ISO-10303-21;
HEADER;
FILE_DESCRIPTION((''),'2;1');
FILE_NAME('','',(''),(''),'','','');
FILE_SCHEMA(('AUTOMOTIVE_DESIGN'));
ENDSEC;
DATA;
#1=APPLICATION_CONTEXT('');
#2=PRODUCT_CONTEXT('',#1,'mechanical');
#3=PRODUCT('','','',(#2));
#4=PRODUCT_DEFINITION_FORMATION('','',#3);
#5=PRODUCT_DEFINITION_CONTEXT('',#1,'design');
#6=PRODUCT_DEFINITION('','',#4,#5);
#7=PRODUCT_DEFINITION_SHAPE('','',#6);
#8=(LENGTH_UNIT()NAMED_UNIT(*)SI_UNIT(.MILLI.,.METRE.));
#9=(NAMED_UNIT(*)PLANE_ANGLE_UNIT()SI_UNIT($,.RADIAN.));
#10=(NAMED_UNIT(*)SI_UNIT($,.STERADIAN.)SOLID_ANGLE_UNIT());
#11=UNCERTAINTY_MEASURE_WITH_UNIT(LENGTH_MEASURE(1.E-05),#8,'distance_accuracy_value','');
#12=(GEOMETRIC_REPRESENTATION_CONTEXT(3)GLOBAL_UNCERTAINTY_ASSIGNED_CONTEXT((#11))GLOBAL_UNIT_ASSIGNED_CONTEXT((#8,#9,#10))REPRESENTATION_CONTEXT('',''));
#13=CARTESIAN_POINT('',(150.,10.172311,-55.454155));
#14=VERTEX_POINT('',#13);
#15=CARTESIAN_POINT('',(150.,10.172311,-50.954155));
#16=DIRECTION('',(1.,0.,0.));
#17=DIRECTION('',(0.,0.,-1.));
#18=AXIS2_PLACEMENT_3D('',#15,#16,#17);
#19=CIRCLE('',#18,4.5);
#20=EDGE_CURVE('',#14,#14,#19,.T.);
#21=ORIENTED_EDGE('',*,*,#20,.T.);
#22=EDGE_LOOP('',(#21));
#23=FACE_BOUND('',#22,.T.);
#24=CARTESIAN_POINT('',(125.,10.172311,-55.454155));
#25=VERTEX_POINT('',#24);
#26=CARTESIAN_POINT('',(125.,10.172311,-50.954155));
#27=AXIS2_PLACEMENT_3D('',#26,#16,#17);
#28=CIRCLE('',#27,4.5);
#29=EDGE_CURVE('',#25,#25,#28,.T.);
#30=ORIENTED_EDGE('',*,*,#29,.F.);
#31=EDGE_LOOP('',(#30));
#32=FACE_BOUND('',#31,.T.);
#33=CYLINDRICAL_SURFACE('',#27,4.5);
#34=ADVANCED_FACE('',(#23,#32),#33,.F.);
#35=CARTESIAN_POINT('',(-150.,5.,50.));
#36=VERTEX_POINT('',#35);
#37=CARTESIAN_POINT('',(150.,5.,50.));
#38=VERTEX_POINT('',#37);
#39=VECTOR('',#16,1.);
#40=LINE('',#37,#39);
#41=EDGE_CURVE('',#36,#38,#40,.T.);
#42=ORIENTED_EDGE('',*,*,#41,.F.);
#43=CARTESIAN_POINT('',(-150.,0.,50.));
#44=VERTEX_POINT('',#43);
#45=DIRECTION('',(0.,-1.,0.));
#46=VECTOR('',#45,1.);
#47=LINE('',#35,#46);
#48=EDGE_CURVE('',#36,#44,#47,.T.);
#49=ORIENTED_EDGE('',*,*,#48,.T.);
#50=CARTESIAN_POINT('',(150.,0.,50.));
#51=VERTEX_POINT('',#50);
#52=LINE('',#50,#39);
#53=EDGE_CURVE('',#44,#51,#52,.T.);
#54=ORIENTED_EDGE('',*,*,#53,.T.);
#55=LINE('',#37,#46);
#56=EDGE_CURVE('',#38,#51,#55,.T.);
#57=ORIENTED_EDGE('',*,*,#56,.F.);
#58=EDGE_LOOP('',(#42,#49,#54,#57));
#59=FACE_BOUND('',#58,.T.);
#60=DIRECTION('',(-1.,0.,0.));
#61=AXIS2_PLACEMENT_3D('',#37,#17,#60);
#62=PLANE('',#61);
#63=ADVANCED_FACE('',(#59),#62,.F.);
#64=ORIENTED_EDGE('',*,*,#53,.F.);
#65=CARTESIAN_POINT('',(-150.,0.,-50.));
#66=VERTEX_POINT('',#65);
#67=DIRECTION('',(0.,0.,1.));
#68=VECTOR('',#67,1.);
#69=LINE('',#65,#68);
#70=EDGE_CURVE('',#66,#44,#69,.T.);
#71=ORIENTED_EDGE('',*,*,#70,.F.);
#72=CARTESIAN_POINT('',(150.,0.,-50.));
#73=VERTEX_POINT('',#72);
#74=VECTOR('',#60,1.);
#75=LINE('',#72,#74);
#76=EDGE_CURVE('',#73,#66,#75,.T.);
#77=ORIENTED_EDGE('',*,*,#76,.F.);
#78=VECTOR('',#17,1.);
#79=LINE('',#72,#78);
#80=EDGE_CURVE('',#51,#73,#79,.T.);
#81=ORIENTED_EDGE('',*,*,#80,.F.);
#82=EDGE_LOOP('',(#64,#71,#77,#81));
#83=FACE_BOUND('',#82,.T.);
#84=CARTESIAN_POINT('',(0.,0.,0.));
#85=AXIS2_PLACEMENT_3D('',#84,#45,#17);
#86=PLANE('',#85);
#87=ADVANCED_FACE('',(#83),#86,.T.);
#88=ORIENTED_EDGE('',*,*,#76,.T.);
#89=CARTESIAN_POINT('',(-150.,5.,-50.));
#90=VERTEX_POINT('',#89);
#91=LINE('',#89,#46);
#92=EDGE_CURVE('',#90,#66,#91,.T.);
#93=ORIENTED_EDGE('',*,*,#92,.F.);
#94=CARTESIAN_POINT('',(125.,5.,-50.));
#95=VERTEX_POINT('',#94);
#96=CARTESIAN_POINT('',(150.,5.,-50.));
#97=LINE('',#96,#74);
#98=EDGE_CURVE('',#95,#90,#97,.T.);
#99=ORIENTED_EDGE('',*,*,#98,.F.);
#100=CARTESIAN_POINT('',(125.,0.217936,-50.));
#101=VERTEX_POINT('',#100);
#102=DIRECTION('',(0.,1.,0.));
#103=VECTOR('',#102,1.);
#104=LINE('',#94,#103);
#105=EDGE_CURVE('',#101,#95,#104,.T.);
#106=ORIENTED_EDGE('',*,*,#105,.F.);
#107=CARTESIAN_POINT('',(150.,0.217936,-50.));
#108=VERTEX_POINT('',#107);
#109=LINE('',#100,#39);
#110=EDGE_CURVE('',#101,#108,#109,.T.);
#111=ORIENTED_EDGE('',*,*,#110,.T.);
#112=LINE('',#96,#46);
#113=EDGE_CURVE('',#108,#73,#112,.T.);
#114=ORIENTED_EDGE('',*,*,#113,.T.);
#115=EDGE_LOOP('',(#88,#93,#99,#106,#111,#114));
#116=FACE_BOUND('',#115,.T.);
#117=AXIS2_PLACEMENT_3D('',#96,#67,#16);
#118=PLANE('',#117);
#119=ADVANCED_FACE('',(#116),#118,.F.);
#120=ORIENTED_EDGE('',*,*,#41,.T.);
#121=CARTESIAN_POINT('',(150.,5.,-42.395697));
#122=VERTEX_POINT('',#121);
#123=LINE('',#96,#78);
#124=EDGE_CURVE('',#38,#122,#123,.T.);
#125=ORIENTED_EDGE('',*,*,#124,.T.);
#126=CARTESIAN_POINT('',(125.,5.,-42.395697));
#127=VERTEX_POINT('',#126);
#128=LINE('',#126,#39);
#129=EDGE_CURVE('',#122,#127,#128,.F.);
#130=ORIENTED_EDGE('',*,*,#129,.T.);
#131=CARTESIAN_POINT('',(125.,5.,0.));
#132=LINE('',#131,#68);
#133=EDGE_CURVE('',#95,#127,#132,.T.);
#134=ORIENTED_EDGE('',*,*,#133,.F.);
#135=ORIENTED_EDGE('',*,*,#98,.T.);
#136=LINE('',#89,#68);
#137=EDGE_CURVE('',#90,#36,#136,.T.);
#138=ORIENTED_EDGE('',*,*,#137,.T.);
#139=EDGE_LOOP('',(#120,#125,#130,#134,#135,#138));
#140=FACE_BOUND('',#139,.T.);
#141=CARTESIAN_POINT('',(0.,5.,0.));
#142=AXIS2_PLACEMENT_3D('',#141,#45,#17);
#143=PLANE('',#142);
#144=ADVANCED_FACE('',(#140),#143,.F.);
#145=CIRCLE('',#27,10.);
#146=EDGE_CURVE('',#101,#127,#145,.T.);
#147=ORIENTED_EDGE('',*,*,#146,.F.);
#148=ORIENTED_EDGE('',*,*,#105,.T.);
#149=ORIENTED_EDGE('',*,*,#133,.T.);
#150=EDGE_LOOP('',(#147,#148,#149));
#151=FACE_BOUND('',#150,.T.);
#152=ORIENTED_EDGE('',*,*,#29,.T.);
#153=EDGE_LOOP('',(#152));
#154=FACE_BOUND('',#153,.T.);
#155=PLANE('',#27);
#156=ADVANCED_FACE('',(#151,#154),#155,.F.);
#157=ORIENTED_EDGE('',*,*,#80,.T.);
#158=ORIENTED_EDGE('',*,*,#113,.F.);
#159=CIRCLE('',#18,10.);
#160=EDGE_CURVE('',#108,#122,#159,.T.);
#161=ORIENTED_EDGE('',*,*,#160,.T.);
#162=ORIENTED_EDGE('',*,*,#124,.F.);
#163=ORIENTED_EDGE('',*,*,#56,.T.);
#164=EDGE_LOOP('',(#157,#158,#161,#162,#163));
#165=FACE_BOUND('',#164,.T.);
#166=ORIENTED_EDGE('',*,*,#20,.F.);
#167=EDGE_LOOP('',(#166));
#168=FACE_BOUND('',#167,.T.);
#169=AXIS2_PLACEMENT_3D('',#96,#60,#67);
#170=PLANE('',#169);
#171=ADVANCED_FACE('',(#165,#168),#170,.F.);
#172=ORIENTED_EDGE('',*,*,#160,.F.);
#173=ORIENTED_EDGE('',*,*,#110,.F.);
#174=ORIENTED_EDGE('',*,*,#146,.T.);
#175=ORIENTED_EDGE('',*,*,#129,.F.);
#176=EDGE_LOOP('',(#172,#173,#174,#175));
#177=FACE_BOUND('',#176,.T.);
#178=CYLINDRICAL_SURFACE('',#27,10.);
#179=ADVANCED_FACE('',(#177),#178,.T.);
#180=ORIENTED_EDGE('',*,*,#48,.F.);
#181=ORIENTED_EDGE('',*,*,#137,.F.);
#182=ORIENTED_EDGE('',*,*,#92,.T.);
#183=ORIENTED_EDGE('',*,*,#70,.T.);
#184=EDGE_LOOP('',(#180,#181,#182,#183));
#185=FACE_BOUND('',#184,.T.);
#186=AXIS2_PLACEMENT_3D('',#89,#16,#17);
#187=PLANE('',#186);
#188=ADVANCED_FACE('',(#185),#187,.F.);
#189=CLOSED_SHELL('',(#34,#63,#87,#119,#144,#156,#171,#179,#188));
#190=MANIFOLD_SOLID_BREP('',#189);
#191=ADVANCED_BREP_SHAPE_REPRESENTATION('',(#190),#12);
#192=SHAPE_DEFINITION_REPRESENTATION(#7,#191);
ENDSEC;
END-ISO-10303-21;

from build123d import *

# Parameters (mm, degrees)
SKETCH1_W           = 300
SKETCH1_H           = 100
BOSS_EXTRUDE1_DEPTH = 5
SKETCH7_R           = 10
BOSS_EXTRUDE5_DEPTH = 25
SKETCH10_R          = 4.5
CUT_EXTRUDE1_DEPTH  = 25


with BuildPart() as part:
    # Sketch1 → Boss-Extrude1 (new body)
    with BuildSketch(Plane(origin=(0, 0, 0), x_dir=(1, 0, 0), z_dir=(0, 1, 0))):
        Rectangle(SKETCH1_W, SKETCH1_H)
    extrude(amount=BOSS_EXTRUDE1_DEPTH)

    # Sketch7 → Boss-Extrude5 (add)
    with BuildSketch(Plane(origin=(150, 0, 0), x_dir=(0, 0, -1), z_dir=(1, 0, 0))):
        with Locations((50.954154719, 10.172311349)):
            Circle(SKETCH7_R)
    extrude(amount=-BOSS_EXTRUDE5_DEPTH)

    # Sketch10 → Cut-Extrude1 (cut)
    with BuildSketch(Plane(origin=(150, 0, 0), x_dir=(0, 0, -1), z_dir=(1, 0, 0))):
        with Locations((50.954154719, 10.172311349)):
            Circle(SKETCH10_R)
    extrude(amount=-CUT_EXTRUDE1_DEPTH, mode=Mode.SUBTRACT)


solid = part.part
